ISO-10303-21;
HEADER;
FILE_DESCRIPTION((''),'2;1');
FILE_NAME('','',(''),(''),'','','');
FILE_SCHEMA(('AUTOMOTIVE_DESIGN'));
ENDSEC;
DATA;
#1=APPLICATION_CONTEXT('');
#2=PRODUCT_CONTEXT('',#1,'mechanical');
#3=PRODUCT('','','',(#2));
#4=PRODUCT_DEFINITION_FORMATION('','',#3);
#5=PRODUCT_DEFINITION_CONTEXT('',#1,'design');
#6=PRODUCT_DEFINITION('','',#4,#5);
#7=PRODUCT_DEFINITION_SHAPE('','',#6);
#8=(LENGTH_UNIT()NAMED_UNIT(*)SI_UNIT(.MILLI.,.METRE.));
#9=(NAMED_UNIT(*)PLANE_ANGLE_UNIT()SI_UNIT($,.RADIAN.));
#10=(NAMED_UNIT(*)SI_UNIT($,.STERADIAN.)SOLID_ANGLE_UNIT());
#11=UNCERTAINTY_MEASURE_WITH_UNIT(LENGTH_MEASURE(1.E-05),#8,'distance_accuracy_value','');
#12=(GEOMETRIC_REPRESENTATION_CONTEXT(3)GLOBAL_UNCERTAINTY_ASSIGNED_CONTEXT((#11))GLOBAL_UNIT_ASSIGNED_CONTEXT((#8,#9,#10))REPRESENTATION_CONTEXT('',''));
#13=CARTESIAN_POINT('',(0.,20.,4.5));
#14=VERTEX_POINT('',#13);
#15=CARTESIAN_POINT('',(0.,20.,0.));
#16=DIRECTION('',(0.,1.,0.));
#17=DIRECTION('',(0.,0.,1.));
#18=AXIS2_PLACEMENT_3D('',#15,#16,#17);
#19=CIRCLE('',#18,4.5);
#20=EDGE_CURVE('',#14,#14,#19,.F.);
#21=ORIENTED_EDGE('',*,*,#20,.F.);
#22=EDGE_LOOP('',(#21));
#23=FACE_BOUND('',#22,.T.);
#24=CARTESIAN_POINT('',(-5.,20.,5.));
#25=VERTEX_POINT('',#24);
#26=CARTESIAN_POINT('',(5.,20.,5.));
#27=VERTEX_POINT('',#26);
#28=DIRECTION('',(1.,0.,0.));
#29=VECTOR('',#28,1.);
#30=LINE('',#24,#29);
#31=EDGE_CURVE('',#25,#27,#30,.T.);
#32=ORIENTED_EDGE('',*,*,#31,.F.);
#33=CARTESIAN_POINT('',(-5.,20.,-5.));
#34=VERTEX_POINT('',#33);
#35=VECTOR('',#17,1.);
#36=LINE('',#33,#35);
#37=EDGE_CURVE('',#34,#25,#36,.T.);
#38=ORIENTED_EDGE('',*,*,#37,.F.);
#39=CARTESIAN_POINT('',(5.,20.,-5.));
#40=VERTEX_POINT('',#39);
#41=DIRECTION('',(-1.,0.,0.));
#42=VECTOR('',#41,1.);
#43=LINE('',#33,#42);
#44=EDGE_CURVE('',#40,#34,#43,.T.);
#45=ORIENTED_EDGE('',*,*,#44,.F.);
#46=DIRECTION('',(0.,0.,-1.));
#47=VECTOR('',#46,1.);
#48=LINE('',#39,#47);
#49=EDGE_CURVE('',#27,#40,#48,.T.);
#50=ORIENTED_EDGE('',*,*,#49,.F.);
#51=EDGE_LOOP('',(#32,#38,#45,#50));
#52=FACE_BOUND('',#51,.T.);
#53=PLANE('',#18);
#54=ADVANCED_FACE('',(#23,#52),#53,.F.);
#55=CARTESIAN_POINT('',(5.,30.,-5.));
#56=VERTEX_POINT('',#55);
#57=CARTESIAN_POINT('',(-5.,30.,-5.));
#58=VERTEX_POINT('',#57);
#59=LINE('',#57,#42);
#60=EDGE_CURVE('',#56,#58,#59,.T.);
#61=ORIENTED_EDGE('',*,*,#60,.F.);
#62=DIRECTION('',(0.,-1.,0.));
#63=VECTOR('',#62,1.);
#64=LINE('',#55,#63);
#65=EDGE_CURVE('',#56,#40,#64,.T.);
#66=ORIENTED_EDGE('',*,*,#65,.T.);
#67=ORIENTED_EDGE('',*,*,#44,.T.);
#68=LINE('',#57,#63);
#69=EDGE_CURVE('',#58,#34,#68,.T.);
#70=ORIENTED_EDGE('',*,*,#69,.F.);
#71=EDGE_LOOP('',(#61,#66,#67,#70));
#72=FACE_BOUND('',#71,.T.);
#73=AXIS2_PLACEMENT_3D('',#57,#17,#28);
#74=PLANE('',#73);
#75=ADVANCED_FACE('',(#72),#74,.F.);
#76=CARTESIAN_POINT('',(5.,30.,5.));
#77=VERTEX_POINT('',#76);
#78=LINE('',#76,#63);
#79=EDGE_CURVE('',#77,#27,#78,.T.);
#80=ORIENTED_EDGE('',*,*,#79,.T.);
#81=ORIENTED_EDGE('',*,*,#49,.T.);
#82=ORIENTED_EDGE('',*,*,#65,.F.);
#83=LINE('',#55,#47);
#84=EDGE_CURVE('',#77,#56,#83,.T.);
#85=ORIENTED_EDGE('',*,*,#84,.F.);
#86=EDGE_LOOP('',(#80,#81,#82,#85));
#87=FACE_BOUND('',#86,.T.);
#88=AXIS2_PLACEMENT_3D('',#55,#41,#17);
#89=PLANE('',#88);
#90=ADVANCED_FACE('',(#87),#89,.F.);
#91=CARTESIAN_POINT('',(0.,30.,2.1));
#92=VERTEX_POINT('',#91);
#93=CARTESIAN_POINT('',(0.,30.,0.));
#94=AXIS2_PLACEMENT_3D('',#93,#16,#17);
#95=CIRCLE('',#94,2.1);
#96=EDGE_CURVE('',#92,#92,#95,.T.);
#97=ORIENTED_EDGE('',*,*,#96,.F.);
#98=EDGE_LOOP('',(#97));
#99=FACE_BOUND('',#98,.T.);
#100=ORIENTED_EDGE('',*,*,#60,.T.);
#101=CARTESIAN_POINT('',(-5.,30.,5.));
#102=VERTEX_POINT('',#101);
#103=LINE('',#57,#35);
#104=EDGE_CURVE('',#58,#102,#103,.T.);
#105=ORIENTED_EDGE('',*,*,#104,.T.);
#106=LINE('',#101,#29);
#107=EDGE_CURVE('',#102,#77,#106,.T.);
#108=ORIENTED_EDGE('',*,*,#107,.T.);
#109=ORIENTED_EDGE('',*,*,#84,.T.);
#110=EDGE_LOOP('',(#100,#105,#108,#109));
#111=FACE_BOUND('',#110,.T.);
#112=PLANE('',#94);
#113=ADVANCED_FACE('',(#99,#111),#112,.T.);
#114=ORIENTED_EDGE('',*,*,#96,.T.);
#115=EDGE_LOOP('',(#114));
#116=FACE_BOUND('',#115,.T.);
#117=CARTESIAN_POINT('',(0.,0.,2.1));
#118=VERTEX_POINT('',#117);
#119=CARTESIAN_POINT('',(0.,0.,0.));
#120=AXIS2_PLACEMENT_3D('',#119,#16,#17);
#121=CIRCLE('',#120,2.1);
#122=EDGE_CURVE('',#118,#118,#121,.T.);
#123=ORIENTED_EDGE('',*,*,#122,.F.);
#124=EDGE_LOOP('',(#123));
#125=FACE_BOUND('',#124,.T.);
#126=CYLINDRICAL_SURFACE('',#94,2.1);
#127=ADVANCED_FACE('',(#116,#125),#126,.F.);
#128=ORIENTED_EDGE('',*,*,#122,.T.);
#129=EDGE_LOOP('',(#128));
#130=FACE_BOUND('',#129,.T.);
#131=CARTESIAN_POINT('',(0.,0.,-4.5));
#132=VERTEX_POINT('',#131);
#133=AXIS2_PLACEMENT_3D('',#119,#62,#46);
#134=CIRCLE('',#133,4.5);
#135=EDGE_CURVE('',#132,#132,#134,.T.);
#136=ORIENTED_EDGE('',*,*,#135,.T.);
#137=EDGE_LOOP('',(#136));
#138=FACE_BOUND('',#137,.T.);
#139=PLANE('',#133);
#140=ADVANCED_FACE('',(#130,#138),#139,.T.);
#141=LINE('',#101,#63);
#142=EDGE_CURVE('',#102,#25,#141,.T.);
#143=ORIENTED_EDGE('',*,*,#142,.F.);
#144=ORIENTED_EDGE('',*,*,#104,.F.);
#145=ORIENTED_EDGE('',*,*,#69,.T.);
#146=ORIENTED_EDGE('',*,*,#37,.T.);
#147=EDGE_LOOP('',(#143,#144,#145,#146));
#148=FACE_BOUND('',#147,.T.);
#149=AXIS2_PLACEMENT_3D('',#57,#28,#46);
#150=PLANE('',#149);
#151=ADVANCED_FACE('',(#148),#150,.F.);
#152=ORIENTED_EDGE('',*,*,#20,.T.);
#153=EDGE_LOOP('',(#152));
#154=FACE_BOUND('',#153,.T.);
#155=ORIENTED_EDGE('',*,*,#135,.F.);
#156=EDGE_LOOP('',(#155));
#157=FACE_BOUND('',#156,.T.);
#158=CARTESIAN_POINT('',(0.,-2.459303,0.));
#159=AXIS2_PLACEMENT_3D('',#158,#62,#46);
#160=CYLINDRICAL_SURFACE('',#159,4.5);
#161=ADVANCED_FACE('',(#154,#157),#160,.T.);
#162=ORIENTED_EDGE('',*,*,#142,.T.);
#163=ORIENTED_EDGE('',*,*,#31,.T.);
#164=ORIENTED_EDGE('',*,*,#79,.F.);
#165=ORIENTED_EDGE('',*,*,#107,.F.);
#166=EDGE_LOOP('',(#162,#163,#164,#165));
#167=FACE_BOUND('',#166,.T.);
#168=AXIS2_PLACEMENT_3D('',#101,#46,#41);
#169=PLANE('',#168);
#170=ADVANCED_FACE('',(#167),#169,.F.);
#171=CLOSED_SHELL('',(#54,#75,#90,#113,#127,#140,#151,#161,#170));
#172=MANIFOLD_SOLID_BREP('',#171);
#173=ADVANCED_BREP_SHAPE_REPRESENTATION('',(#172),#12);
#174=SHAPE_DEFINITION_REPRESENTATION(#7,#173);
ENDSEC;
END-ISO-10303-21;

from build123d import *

# Parameters (mm, degrees)
SKIZZE1_W                       = 4.5
SKIZZE1_H                       = 20
SKIZZE5_W                       = 10
SKIZZE5_H                       = 10
AUFSATZ_LINEAR_AUSTRAGEN1_DEPTH = 10
M5_GEWINDEBOHRUNG2_D            = 4.2


with BuildPart() as part:
    # Skizze1 → Rotation1 (revolve)
    with BuildSketch(Plane.XY, mode=Mode.PRIVATE) as rotation1_sk:
        with Locations((2.25, 10)):
            Rectangle(SKIZZE1_W, SKIZZE1_H)
    revolve(rotation1_sk.sketch.rotate(Axis((0, -2.459302686, 0), (0, 1, 0)), 90), axis=Axis((0, -2.459302686, 0), (0, 1, 0)))

    # Skizze5 → Aufsatz-Linear austragen1 (add)
    with BuildSketch(Plane(origin=(0, 20, 0), x_dir=(1, 0, 0), z_dir=(0, 1, 0))):
        Rectangle(SKIZZE5_W, SKIZZE5_H)
    extrude(amount=AUFSATZ_LINEAR_AUSTRAGEN1_DEPTH)

    # M5 Gewindebohrung2 (through all)
    with Locations(Plane(origin=(0, 30, 0), x_dir=(1, 0, 0), z_dir=(0, 1, 0))):
        with Locations((0, 0)):
            Hole(M5_GEWINDEBOHRUNG2_D / 2)


solid = part.part
